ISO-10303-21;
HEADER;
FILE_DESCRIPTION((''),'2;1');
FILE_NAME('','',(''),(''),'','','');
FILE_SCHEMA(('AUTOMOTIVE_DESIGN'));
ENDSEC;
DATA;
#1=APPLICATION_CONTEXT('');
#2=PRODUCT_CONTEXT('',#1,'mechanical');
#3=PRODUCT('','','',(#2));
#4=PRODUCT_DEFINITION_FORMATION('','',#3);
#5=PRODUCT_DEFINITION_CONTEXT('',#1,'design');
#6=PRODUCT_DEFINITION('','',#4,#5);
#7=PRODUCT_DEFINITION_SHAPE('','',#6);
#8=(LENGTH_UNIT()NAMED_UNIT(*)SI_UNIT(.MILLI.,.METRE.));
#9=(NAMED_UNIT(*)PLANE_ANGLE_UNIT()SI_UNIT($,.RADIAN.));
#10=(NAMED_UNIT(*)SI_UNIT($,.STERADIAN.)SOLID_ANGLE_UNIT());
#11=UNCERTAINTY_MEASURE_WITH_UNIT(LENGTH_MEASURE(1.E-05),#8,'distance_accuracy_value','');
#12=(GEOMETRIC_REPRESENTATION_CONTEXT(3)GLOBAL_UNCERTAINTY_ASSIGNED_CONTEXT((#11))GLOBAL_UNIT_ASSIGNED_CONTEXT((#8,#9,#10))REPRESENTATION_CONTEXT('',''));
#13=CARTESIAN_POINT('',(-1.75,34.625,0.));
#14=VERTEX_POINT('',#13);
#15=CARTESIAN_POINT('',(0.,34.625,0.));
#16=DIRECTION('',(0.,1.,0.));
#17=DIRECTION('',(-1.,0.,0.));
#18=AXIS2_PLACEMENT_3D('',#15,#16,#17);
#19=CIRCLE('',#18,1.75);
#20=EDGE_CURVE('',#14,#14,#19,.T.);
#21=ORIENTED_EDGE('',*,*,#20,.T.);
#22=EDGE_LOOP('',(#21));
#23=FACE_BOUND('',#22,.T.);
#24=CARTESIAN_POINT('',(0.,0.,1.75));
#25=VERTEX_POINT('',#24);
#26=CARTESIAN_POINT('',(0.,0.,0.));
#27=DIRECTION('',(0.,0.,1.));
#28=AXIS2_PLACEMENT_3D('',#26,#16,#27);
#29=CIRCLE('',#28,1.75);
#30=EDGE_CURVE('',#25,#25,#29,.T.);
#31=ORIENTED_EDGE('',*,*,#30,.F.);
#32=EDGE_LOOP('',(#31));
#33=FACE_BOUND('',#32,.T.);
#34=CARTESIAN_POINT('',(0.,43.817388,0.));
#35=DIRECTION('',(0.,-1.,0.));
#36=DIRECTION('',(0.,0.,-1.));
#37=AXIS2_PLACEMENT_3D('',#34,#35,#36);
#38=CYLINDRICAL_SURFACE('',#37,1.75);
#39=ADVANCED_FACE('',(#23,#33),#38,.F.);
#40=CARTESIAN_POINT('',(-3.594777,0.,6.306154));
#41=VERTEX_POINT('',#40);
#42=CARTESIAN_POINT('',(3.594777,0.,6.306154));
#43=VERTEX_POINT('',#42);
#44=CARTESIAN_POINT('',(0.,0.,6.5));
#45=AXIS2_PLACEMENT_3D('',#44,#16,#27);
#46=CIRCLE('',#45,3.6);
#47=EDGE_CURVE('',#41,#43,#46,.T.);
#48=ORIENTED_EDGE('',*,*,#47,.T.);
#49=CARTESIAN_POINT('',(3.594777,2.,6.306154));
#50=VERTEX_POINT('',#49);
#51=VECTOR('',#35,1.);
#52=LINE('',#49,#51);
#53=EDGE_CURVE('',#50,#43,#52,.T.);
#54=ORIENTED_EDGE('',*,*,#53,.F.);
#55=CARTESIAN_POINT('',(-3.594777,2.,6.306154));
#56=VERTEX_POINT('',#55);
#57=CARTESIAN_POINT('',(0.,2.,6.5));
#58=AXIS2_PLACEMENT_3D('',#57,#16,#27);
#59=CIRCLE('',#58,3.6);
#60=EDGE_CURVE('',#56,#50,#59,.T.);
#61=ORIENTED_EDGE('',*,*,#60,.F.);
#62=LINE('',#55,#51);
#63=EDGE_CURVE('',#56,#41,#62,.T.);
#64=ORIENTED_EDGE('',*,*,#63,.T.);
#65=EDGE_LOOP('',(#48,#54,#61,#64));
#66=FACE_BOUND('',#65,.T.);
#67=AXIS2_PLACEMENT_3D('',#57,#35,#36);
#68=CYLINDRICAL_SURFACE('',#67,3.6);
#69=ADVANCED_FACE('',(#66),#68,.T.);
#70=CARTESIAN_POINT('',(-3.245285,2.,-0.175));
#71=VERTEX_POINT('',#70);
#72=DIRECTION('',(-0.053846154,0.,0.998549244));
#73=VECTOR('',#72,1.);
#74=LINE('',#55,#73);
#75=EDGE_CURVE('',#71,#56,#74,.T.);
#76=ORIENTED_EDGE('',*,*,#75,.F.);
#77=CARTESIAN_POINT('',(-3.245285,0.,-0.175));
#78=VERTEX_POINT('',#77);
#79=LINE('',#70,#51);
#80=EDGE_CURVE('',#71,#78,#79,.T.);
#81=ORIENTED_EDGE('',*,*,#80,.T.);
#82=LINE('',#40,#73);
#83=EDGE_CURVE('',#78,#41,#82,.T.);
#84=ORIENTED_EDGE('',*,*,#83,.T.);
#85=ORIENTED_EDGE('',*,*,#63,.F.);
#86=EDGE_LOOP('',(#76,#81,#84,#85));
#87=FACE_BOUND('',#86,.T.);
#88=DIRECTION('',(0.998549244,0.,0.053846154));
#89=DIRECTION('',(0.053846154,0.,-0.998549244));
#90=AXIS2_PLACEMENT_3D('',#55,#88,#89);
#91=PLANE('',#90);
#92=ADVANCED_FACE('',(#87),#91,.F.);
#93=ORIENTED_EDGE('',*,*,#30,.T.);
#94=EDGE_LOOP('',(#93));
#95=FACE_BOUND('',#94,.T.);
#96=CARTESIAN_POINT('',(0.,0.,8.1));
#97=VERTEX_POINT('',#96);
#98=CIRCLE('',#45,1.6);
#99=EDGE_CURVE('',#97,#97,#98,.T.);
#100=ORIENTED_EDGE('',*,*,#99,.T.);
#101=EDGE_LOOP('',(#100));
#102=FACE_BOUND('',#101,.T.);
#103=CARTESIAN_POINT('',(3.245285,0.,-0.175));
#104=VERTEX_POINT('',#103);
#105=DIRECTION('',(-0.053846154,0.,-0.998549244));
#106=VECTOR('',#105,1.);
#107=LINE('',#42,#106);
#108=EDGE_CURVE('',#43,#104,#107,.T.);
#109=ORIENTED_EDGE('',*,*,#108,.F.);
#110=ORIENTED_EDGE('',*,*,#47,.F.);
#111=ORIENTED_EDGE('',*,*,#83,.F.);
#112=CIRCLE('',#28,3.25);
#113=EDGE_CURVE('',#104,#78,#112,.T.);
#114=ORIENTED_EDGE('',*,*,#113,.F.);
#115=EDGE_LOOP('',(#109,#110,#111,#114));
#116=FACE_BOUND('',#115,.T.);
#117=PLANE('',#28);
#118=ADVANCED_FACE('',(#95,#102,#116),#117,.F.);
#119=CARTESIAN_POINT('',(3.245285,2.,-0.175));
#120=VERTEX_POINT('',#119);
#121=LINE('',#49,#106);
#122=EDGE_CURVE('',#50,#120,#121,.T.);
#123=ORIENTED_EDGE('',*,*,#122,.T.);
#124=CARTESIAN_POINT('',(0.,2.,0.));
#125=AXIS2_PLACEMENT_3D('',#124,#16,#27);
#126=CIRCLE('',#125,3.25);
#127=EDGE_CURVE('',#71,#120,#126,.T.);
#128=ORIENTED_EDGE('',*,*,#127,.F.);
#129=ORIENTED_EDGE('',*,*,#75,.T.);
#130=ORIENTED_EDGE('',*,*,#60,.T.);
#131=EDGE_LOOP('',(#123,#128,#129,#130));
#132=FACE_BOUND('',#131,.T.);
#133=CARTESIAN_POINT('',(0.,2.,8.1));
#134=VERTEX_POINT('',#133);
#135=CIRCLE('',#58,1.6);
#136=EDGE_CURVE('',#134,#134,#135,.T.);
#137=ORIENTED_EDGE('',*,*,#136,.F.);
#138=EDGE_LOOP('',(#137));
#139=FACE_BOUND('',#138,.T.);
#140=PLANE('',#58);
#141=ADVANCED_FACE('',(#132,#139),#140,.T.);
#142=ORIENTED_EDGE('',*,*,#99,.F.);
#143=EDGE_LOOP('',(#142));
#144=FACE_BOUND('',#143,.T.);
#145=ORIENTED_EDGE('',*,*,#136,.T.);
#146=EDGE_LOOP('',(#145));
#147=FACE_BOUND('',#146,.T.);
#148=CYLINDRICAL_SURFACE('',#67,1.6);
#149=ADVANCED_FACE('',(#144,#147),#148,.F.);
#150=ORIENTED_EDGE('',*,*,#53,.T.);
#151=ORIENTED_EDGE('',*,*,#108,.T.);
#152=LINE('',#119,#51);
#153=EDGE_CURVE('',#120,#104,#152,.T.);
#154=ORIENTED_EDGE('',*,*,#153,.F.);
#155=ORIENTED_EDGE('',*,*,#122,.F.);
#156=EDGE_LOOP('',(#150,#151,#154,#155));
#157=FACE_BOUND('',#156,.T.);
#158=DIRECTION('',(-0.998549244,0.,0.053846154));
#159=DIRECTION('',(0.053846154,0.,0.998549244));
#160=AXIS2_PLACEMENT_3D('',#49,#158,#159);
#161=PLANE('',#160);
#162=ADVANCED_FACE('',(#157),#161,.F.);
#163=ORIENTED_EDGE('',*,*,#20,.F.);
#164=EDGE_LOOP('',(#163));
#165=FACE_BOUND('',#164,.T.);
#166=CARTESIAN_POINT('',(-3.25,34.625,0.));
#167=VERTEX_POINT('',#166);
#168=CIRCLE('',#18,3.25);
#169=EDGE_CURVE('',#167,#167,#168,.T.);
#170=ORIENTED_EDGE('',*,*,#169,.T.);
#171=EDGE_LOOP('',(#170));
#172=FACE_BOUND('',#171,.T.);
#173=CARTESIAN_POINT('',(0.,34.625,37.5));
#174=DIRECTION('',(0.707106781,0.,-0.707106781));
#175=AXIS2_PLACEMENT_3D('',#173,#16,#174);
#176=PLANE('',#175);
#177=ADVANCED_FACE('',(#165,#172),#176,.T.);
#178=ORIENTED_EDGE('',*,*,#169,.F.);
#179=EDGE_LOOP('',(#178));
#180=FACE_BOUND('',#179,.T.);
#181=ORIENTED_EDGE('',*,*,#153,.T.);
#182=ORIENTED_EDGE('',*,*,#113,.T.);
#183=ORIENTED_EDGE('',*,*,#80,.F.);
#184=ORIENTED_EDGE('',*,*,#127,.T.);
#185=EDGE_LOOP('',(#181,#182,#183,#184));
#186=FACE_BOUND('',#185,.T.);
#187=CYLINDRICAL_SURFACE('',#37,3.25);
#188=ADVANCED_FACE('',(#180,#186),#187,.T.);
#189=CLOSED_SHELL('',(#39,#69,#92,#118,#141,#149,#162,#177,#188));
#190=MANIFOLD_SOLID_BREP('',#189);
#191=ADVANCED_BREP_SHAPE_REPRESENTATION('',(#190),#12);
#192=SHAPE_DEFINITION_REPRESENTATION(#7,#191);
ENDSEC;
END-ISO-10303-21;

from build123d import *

# Parameters (mm, degrees)
SKETCH1_R           = 3.25
SKETCH1_R_2         = 1.75
BOSS_EXTRUDE1_DEPTH = 34.625
SKETCH2_R           = 1.75
SKETCH2_R_2         = 1.6
BOSS_EXTRUDE2_DEPTH = 2


with BuildPart() as part:
    # Sketch1 → Boss-Extrude1 (new body)
    with BuildSketch(Plane(origin=(0, 0, 0), x_dir=(1, 0, 0), z_dir=(0, 1, 0))):
        with Locations(Location((0, 0, 0), (0, 0, 180))):
            Circle(SKETCH1_R)
        with Locations(Location((0, 0, 0), (0, 0, 180))):
            Circle(SKETCH1_R_2, mode=Mode.SUBTRACT)
    extrude(amount=BOSS_EXTRUDE1_DEPTH)

    # Sketch2 → Boss-Extrude2 (add)
    with BuildSketch(Plane(origin=(0, 0, 0), x_dir=(1, 0, 0), z_dir=(0, 1, 0))):
        with BuildLine():
            Line((-3.594777277, -6.306153846), (-3.245285041, 0.175))
            ThreePointArc((-3.245285041, 0.175), (0, 3.25), (3.245285041, 0.175))
            Line((3.245285041, 0.175), (3.594777277, -6.306153846))
            ThreePointArc((3.594777277, -6.306153846), (0, -10.1), (-3.594777277, -6.306153846))
        make_face()
        with Locations(Location((0, 0, 0), (0, 0, 180))):
            Circle(SKETCH2_R, mode=Mode.SUBTRACT)
        with Locations(Location((0, -6.5, 0), (0, 0, 270))):
            Circle(SKETCH2_R_2, mode=Mode.SUBTRACT)
    extrude(amount=BOSS_EXTRUDE2_DEPTH)


solid = part.part
